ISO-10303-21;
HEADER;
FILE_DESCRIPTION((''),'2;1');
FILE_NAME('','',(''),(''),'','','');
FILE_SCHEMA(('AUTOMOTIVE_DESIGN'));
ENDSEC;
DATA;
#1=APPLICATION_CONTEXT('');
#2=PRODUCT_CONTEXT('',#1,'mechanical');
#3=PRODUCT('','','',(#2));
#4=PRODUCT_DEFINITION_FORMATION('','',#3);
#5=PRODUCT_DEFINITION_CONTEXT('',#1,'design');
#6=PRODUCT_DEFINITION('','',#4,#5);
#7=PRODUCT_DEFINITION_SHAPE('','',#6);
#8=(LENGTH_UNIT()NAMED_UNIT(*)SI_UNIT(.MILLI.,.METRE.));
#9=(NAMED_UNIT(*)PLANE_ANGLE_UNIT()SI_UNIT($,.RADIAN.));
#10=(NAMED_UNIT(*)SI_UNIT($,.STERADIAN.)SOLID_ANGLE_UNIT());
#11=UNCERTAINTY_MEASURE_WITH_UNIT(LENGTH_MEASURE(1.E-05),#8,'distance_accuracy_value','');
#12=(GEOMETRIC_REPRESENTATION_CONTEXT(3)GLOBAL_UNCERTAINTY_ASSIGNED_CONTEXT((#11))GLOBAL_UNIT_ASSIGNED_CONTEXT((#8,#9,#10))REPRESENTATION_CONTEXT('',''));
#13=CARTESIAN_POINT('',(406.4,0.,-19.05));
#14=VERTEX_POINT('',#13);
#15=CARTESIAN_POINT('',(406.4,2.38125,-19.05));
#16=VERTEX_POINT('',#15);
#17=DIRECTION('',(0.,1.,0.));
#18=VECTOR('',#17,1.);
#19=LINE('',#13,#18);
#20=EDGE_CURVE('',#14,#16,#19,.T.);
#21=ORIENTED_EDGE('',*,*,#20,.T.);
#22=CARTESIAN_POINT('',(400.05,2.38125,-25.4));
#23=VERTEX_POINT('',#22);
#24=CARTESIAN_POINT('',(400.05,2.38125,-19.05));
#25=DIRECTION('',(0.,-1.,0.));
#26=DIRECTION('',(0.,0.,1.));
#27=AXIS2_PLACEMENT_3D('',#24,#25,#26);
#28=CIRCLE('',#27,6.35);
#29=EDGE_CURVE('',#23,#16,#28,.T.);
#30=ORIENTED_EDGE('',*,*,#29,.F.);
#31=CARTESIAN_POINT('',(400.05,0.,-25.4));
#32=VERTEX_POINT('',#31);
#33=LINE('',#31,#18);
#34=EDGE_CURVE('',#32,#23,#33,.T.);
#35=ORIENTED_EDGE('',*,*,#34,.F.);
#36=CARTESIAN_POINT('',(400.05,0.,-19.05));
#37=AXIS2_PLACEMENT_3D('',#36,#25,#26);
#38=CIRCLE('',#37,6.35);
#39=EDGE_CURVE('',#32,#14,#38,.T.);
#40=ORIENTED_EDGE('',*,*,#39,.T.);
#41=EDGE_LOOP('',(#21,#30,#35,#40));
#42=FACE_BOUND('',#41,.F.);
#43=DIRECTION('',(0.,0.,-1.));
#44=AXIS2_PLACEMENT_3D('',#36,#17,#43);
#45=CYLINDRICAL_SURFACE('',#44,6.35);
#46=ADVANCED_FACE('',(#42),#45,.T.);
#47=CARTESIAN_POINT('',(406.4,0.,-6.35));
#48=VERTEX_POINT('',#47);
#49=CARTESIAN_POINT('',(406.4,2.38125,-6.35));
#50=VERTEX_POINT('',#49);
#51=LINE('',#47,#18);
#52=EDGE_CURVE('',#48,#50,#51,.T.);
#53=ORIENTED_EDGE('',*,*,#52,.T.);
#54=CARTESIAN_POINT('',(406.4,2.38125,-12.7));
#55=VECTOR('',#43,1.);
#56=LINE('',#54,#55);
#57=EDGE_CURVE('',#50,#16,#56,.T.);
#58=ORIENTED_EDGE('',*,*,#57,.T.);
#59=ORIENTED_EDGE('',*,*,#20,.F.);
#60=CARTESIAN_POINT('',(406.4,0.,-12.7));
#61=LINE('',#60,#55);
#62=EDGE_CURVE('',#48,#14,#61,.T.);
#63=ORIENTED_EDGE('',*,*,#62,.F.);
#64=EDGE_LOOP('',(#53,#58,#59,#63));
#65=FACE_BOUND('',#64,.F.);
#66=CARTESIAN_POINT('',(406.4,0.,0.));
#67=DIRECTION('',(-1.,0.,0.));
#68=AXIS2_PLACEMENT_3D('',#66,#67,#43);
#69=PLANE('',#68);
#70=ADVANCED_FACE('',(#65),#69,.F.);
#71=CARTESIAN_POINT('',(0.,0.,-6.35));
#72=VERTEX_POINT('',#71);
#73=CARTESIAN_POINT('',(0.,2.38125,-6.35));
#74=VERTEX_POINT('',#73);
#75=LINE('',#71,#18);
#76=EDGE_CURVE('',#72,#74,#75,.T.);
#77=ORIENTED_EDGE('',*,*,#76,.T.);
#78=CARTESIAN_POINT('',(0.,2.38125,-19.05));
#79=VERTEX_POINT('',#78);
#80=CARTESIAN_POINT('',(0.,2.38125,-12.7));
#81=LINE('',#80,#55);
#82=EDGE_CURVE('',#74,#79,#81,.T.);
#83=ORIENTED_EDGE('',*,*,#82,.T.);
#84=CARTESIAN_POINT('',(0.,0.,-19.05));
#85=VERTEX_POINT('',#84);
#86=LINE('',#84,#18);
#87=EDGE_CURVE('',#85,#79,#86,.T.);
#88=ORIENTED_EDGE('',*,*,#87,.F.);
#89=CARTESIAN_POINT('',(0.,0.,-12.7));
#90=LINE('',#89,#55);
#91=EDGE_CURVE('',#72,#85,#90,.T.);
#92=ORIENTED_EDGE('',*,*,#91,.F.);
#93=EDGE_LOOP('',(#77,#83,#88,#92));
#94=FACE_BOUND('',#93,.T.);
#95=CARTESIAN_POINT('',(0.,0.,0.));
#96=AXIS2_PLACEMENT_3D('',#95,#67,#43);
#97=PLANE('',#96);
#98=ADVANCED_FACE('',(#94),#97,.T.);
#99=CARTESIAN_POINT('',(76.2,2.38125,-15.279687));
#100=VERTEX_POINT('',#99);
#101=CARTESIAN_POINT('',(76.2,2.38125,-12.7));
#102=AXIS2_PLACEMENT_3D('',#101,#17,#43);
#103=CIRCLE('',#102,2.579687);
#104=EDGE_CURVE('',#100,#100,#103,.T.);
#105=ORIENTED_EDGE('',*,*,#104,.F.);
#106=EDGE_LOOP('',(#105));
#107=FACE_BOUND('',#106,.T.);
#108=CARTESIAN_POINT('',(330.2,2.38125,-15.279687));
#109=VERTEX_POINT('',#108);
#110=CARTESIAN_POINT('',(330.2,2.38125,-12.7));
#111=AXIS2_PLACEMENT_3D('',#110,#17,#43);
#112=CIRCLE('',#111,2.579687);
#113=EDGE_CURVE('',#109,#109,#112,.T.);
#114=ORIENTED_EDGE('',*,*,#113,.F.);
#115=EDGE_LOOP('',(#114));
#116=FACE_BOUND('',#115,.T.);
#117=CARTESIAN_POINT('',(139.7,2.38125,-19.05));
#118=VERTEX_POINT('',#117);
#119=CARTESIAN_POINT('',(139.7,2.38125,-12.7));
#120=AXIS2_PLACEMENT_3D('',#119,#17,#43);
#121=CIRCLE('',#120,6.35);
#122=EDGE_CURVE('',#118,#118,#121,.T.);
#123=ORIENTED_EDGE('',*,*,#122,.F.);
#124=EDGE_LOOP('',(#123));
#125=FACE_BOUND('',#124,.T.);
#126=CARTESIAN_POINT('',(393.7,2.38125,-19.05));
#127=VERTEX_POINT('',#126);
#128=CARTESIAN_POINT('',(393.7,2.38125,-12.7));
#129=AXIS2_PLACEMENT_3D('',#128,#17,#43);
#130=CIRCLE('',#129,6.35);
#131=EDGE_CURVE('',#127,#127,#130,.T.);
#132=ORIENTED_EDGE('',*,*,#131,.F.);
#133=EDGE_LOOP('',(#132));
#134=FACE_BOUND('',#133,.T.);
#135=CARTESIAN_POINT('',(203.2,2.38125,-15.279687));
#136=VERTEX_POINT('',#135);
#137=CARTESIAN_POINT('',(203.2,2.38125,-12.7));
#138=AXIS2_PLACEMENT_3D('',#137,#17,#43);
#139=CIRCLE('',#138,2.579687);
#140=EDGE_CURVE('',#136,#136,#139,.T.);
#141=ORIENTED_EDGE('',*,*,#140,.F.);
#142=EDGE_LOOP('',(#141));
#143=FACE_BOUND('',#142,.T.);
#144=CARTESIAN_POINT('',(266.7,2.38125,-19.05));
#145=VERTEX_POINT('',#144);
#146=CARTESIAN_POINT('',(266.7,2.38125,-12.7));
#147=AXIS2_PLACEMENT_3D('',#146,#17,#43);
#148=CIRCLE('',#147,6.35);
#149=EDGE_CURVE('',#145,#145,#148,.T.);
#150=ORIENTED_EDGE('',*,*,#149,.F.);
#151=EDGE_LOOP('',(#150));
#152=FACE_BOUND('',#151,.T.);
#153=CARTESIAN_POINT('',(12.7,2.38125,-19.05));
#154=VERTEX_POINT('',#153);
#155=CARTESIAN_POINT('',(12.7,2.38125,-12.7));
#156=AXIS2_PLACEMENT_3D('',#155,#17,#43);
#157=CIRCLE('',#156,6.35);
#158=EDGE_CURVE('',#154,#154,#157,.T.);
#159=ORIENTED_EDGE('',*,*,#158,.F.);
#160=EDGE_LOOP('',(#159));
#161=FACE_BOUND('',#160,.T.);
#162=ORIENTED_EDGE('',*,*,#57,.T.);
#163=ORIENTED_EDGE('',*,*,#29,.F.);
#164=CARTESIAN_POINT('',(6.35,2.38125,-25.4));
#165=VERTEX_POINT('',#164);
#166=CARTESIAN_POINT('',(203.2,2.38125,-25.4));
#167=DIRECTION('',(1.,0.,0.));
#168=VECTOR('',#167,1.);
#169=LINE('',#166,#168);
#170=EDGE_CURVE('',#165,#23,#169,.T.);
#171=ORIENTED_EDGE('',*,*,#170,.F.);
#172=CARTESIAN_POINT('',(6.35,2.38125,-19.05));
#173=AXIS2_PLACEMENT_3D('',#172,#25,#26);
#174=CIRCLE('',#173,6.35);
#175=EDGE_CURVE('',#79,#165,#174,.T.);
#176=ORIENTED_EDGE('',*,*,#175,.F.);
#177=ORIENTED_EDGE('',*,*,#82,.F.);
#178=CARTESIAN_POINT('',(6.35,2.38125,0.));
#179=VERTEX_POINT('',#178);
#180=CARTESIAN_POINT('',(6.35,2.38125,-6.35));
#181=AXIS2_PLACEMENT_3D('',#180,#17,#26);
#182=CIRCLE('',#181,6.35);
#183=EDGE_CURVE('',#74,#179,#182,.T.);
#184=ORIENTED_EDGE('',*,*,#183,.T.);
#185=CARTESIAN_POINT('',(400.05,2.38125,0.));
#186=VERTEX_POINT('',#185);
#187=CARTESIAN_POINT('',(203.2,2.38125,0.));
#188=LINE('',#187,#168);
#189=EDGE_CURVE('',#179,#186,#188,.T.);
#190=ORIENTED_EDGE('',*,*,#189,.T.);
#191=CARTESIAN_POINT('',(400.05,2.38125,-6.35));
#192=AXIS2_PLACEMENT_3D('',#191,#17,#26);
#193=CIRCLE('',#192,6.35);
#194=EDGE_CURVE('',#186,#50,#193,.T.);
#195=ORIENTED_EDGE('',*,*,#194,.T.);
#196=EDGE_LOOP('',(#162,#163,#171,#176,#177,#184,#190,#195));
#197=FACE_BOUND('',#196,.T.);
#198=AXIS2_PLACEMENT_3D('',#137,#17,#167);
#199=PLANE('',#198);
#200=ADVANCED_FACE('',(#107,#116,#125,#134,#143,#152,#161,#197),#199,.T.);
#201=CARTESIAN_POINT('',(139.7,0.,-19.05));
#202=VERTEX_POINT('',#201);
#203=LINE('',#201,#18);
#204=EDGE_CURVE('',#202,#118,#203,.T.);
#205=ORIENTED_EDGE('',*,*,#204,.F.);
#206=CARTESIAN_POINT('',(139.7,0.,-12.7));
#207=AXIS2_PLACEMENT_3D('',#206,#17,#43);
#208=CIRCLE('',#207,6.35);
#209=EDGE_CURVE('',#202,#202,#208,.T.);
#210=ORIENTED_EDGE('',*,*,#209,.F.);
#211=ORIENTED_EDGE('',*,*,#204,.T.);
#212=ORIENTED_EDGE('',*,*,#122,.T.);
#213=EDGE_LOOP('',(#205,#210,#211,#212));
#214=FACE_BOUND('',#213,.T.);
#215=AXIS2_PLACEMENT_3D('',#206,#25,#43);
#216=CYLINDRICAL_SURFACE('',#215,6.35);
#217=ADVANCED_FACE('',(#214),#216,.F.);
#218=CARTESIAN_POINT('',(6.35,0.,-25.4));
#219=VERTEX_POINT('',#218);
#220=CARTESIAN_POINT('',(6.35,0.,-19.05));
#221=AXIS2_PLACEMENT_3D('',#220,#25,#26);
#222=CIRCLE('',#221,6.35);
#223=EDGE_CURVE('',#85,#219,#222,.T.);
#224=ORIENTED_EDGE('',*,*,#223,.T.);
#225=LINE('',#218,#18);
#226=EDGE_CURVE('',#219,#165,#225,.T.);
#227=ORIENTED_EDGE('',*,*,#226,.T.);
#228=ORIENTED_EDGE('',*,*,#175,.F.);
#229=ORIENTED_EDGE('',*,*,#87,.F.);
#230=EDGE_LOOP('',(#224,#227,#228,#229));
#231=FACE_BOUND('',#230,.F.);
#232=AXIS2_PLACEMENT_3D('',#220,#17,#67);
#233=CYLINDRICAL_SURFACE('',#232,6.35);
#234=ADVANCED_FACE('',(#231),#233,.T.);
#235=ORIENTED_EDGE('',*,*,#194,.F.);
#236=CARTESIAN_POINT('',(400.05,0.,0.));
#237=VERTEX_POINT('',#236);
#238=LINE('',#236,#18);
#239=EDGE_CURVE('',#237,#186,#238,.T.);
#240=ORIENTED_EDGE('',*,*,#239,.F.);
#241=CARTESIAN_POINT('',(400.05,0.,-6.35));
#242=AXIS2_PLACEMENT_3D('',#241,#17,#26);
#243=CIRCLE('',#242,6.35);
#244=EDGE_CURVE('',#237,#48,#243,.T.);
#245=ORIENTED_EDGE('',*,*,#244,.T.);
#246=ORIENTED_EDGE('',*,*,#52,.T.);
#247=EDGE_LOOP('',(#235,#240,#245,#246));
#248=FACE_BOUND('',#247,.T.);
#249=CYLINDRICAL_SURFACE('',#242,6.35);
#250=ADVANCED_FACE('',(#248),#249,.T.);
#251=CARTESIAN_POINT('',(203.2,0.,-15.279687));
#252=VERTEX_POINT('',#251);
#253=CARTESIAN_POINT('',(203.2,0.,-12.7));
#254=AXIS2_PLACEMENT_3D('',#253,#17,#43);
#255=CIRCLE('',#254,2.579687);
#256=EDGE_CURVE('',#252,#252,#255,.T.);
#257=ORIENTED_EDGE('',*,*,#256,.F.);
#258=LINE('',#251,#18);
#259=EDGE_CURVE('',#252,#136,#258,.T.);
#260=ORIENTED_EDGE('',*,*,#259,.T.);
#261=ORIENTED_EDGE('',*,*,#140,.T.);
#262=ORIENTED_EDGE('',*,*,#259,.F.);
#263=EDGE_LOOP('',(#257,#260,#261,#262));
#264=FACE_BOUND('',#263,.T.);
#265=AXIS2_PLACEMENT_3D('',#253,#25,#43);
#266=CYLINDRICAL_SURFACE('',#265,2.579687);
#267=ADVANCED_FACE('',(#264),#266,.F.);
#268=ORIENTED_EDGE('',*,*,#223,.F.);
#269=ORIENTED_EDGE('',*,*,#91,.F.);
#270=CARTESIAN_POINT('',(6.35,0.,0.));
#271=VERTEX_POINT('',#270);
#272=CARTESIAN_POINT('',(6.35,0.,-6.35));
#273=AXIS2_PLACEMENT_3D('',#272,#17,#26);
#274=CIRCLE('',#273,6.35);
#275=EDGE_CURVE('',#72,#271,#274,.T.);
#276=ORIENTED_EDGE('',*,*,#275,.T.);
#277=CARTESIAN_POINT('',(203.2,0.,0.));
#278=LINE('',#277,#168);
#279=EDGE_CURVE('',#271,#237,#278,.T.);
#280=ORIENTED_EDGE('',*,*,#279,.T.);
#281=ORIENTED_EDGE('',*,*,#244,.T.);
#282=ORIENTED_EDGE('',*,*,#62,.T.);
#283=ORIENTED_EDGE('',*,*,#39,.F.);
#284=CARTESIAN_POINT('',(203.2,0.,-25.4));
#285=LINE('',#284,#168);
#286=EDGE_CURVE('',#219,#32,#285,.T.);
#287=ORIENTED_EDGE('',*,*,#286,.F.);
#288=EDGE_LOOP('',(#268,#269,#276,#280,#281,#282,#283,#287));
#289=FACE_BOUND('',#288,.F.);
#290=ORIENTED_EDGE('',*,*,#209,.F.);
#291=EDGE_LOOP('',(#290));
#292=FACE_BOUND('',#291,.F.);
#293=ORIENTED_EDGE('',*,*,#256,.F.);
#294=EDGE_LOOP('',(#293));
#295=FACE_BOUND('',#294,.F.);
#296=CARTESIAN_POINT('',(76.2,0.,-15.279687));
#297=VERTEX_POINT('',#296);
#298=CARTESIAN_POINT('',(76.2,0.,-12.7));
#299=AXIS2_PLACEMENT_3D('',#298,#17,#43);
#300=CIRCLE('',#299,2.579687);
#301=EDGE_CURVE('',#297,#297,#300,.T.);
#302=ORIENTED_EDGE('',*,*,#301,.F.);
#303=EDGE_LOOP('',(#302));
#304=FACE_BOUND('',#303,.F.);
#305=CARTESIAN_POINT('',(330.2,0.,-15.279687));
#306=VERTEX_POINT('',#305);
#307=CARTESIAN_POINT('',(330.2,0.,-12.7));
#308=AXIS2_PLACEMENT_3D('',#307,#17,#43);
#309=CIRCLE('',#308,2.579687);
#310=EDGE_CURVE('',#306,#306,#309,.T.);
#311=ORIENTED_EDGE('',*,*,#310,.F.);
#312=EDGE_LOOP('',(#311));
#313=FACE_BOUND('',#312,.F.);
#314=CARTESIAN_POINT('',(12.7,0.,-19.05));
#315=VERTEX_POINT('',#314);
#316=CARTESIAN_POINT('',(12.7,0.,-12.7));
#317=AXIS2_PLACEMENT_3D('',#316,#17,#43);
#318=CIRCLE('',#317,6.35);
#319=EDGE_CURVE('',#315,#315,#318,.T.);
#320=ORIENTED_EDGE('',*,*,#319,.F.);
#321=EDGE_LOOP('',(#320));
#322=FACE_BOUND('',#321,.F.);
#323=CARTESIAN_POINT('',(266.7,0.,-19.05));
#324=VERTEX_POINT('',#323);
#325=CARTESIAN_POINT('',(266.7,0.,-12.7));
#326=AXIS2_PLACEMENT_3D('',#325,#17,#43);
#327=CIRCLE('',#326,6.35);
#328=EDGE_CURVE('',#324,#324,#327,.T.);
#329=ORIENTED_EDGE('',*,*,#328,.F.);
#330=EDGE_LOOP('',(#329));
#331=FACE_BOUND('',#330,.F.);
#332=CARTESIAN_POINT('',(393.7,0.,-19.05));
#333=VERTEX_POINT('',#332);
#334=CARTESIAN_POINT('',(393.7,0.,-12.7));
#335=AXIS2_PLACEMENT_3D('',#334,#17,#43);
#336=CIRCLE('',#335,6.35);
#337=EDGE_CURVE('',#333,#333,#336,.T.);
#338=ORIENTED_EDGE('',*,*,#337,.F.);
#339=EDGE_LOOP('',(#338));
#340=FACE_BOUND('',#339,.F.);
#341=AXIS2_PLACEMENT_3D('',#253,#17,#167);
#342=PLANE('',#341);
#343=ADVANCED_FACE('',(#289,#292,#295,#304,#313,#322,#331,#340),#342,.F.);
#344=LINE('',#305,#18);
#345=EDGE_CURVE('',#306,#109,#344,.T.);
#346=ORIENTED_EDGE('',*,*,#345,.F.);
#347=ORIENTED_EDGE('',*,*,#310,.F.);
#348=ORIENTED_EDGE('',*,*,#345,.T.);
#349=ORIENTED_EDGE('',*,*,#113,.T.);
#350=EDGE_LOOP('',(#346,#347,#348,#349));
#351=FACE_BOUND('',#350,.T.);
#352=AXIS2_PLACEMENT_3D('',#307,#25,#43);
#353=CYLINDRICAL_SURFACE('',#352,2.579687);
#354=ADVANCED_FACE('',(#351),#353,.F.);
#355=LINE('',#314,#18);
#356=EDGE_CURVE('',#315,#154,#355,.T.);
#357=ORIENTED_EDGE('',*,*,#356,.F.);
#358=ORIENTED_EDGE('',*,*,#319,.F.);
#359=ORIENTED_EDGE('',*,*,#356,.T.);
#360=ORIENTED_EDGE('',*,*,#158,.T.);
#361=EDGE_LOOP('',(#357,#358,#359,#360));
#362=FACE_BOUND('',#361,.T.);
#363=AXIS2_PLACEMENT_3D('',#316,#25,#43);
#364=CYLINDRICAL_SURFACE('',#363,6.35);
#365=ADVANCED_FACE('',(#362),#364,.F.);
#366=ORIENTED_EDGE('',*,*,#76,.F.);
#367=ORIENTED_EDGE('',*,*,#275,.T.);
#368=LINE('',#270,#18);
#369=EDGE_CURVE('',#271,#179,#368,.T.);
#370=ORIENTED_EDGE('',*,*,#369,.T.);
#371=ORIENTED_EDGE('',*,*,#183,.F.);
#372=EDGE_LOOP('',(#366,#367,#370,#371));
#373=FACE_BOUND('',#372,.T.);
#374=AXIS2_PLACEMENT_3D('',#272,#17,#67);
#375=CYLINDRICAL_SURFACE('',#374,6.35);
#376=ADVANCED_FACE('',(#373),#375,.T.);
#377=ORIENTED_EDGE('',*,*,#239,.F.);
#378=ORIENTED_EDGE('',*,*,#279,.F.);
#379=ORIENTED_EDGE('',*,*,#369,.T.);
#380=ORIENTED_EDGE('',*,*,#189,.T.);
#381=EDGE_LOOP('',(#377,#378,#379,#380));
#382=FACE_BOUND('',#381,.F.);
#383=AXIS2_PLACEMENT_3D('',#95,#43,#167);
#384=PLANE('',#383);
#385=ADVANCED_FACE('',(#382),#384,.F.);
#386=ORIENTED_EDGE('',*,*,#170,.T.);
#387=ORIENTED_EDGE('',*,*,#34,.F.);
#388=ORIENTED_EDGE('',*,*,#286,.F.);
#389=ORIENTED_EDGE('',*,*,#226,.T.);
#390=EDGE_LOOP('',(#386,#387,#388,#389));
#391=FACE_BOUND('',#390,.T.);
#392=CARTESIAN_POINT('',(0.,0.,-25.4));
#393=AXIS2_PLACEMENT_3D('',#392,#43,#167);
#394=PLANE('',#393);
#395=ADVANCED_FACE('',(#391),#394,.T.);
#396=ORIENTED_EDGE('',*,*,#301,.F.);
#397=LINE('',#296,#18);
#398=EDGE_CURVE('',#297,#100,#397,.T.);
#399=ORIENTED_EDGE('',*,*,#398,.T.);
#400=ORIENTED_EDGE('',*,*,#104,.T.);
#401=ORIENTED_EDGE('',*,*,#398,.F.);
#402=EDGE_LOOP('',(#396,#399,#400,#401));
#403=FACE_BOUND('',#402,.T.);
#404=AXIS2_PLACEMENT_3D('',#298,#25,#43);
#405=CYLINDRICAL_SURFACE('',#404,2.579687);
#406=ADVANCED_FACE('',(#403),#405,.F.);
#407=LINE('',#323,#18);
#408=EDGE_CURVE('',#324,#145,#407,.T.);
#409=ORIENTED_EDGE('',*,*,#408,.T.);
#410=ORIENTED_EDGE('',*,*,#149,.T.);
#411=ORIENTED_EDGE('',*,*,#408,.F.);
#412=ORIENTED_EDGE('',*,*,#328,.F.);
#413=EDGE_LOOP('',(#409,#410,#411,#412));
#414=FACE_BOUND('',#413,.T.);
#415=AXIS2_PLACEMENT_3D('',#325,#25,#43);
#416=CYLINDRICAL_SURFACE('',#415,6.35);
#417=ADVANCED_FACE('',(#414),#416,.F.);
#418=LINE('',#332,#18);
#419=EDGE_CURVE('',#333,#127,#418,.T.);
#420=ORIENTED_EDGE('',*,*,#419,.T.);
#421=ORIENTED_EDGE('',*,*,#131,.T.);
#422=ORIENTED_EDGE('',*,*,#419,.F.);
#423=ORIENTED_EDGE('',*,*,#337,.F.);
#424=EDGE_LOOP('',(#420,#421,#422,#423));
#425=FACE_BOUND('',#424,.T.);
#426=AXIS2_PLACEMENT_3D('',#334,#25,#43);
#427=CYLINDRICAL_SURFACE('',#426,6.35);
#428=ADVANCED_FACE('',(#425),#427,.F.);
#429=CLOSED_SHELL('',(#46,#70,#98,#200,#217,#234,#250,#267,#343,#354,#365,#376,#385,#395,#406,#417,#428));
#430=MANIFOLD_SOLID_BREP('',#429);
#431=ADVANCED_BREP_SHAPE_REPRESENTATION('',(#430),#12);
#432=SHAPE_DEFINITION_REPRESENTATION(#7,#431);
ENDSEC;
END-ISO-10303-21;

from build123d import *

# Parameters (mm, degrees)
SKETCH1_W           = 406.4
SKETCH1_H           = 25.4
SKETCH1_R           = 6.35
SKETCH1_R_2         = 2.5796875
BOSS_EXTRUDE1_DEPTH = 2.38125
FILLET1_R           = 6.35


with BuildPart() as part:
    # Sketch1 → Boss-Extrude1 (new body)
    with BuildSketch(Plane(origin=(0, 0, 0), x_dir=(1, 0, 0), z_dir=(0, 1, 0))):
        with Locations((203.2, 12.7)):
            Rectangle(SKETCH1_W, SKETCH1_H)
        with Locations(Location((12.7, 12.7, 0), (0, 0, 90))):
            Circle(SKETCH1_R, mode=Mode.SUBTRACT)
        with Locations(Location((393.7, 12.7, 0), (0, 0, 90))):
            Circle(SKETCH1_R, mode=Mode.SUBTRACT)
        with Locations(Location((139.7, 12.7, 0), (0, 0, 90))):
            Circle(SKETCH1_R, mode=Mode.SUBTRACT)
        with Locations(Location((266.7, 12.7, 0), (0, 0, 90))):
            Circle(SKETCH1_R, mode=Mode.SUBTRACT)
        with Locations(Location((76.2, 12.7, 0), (0, 0, 90))):
            Circle(SKETCH1_R_2, mode=Mode.SUBTRACT)
        with Locations(Location((203.2, 12.7, 0), (0, 0, 90))):
            Circle(SKETCH1_R_2, mode=Mode.SUBTRACT)
        with Locations(Location((330.2, 12.7, 0), (0, 0, 90))):
            Circle(SKETCH1_R_2, mode=Mode.SUBTRACT)
    extrude(amount=BOSS_EXTRUDE1_DEPTH)

    # Fillet1
    fillet1_edges = [part.edges().sort_by_distance(p)[0] for p in [
        (0, 1.190625, -25.4),
        (406.4, 1.190625, -25.4),
        (406.4, 1.190625, 0),
        (0, 1.190625, 0),
    ]]
    fillet(fillet1_edges, radius=FILLET1_R)


solid = part.part
